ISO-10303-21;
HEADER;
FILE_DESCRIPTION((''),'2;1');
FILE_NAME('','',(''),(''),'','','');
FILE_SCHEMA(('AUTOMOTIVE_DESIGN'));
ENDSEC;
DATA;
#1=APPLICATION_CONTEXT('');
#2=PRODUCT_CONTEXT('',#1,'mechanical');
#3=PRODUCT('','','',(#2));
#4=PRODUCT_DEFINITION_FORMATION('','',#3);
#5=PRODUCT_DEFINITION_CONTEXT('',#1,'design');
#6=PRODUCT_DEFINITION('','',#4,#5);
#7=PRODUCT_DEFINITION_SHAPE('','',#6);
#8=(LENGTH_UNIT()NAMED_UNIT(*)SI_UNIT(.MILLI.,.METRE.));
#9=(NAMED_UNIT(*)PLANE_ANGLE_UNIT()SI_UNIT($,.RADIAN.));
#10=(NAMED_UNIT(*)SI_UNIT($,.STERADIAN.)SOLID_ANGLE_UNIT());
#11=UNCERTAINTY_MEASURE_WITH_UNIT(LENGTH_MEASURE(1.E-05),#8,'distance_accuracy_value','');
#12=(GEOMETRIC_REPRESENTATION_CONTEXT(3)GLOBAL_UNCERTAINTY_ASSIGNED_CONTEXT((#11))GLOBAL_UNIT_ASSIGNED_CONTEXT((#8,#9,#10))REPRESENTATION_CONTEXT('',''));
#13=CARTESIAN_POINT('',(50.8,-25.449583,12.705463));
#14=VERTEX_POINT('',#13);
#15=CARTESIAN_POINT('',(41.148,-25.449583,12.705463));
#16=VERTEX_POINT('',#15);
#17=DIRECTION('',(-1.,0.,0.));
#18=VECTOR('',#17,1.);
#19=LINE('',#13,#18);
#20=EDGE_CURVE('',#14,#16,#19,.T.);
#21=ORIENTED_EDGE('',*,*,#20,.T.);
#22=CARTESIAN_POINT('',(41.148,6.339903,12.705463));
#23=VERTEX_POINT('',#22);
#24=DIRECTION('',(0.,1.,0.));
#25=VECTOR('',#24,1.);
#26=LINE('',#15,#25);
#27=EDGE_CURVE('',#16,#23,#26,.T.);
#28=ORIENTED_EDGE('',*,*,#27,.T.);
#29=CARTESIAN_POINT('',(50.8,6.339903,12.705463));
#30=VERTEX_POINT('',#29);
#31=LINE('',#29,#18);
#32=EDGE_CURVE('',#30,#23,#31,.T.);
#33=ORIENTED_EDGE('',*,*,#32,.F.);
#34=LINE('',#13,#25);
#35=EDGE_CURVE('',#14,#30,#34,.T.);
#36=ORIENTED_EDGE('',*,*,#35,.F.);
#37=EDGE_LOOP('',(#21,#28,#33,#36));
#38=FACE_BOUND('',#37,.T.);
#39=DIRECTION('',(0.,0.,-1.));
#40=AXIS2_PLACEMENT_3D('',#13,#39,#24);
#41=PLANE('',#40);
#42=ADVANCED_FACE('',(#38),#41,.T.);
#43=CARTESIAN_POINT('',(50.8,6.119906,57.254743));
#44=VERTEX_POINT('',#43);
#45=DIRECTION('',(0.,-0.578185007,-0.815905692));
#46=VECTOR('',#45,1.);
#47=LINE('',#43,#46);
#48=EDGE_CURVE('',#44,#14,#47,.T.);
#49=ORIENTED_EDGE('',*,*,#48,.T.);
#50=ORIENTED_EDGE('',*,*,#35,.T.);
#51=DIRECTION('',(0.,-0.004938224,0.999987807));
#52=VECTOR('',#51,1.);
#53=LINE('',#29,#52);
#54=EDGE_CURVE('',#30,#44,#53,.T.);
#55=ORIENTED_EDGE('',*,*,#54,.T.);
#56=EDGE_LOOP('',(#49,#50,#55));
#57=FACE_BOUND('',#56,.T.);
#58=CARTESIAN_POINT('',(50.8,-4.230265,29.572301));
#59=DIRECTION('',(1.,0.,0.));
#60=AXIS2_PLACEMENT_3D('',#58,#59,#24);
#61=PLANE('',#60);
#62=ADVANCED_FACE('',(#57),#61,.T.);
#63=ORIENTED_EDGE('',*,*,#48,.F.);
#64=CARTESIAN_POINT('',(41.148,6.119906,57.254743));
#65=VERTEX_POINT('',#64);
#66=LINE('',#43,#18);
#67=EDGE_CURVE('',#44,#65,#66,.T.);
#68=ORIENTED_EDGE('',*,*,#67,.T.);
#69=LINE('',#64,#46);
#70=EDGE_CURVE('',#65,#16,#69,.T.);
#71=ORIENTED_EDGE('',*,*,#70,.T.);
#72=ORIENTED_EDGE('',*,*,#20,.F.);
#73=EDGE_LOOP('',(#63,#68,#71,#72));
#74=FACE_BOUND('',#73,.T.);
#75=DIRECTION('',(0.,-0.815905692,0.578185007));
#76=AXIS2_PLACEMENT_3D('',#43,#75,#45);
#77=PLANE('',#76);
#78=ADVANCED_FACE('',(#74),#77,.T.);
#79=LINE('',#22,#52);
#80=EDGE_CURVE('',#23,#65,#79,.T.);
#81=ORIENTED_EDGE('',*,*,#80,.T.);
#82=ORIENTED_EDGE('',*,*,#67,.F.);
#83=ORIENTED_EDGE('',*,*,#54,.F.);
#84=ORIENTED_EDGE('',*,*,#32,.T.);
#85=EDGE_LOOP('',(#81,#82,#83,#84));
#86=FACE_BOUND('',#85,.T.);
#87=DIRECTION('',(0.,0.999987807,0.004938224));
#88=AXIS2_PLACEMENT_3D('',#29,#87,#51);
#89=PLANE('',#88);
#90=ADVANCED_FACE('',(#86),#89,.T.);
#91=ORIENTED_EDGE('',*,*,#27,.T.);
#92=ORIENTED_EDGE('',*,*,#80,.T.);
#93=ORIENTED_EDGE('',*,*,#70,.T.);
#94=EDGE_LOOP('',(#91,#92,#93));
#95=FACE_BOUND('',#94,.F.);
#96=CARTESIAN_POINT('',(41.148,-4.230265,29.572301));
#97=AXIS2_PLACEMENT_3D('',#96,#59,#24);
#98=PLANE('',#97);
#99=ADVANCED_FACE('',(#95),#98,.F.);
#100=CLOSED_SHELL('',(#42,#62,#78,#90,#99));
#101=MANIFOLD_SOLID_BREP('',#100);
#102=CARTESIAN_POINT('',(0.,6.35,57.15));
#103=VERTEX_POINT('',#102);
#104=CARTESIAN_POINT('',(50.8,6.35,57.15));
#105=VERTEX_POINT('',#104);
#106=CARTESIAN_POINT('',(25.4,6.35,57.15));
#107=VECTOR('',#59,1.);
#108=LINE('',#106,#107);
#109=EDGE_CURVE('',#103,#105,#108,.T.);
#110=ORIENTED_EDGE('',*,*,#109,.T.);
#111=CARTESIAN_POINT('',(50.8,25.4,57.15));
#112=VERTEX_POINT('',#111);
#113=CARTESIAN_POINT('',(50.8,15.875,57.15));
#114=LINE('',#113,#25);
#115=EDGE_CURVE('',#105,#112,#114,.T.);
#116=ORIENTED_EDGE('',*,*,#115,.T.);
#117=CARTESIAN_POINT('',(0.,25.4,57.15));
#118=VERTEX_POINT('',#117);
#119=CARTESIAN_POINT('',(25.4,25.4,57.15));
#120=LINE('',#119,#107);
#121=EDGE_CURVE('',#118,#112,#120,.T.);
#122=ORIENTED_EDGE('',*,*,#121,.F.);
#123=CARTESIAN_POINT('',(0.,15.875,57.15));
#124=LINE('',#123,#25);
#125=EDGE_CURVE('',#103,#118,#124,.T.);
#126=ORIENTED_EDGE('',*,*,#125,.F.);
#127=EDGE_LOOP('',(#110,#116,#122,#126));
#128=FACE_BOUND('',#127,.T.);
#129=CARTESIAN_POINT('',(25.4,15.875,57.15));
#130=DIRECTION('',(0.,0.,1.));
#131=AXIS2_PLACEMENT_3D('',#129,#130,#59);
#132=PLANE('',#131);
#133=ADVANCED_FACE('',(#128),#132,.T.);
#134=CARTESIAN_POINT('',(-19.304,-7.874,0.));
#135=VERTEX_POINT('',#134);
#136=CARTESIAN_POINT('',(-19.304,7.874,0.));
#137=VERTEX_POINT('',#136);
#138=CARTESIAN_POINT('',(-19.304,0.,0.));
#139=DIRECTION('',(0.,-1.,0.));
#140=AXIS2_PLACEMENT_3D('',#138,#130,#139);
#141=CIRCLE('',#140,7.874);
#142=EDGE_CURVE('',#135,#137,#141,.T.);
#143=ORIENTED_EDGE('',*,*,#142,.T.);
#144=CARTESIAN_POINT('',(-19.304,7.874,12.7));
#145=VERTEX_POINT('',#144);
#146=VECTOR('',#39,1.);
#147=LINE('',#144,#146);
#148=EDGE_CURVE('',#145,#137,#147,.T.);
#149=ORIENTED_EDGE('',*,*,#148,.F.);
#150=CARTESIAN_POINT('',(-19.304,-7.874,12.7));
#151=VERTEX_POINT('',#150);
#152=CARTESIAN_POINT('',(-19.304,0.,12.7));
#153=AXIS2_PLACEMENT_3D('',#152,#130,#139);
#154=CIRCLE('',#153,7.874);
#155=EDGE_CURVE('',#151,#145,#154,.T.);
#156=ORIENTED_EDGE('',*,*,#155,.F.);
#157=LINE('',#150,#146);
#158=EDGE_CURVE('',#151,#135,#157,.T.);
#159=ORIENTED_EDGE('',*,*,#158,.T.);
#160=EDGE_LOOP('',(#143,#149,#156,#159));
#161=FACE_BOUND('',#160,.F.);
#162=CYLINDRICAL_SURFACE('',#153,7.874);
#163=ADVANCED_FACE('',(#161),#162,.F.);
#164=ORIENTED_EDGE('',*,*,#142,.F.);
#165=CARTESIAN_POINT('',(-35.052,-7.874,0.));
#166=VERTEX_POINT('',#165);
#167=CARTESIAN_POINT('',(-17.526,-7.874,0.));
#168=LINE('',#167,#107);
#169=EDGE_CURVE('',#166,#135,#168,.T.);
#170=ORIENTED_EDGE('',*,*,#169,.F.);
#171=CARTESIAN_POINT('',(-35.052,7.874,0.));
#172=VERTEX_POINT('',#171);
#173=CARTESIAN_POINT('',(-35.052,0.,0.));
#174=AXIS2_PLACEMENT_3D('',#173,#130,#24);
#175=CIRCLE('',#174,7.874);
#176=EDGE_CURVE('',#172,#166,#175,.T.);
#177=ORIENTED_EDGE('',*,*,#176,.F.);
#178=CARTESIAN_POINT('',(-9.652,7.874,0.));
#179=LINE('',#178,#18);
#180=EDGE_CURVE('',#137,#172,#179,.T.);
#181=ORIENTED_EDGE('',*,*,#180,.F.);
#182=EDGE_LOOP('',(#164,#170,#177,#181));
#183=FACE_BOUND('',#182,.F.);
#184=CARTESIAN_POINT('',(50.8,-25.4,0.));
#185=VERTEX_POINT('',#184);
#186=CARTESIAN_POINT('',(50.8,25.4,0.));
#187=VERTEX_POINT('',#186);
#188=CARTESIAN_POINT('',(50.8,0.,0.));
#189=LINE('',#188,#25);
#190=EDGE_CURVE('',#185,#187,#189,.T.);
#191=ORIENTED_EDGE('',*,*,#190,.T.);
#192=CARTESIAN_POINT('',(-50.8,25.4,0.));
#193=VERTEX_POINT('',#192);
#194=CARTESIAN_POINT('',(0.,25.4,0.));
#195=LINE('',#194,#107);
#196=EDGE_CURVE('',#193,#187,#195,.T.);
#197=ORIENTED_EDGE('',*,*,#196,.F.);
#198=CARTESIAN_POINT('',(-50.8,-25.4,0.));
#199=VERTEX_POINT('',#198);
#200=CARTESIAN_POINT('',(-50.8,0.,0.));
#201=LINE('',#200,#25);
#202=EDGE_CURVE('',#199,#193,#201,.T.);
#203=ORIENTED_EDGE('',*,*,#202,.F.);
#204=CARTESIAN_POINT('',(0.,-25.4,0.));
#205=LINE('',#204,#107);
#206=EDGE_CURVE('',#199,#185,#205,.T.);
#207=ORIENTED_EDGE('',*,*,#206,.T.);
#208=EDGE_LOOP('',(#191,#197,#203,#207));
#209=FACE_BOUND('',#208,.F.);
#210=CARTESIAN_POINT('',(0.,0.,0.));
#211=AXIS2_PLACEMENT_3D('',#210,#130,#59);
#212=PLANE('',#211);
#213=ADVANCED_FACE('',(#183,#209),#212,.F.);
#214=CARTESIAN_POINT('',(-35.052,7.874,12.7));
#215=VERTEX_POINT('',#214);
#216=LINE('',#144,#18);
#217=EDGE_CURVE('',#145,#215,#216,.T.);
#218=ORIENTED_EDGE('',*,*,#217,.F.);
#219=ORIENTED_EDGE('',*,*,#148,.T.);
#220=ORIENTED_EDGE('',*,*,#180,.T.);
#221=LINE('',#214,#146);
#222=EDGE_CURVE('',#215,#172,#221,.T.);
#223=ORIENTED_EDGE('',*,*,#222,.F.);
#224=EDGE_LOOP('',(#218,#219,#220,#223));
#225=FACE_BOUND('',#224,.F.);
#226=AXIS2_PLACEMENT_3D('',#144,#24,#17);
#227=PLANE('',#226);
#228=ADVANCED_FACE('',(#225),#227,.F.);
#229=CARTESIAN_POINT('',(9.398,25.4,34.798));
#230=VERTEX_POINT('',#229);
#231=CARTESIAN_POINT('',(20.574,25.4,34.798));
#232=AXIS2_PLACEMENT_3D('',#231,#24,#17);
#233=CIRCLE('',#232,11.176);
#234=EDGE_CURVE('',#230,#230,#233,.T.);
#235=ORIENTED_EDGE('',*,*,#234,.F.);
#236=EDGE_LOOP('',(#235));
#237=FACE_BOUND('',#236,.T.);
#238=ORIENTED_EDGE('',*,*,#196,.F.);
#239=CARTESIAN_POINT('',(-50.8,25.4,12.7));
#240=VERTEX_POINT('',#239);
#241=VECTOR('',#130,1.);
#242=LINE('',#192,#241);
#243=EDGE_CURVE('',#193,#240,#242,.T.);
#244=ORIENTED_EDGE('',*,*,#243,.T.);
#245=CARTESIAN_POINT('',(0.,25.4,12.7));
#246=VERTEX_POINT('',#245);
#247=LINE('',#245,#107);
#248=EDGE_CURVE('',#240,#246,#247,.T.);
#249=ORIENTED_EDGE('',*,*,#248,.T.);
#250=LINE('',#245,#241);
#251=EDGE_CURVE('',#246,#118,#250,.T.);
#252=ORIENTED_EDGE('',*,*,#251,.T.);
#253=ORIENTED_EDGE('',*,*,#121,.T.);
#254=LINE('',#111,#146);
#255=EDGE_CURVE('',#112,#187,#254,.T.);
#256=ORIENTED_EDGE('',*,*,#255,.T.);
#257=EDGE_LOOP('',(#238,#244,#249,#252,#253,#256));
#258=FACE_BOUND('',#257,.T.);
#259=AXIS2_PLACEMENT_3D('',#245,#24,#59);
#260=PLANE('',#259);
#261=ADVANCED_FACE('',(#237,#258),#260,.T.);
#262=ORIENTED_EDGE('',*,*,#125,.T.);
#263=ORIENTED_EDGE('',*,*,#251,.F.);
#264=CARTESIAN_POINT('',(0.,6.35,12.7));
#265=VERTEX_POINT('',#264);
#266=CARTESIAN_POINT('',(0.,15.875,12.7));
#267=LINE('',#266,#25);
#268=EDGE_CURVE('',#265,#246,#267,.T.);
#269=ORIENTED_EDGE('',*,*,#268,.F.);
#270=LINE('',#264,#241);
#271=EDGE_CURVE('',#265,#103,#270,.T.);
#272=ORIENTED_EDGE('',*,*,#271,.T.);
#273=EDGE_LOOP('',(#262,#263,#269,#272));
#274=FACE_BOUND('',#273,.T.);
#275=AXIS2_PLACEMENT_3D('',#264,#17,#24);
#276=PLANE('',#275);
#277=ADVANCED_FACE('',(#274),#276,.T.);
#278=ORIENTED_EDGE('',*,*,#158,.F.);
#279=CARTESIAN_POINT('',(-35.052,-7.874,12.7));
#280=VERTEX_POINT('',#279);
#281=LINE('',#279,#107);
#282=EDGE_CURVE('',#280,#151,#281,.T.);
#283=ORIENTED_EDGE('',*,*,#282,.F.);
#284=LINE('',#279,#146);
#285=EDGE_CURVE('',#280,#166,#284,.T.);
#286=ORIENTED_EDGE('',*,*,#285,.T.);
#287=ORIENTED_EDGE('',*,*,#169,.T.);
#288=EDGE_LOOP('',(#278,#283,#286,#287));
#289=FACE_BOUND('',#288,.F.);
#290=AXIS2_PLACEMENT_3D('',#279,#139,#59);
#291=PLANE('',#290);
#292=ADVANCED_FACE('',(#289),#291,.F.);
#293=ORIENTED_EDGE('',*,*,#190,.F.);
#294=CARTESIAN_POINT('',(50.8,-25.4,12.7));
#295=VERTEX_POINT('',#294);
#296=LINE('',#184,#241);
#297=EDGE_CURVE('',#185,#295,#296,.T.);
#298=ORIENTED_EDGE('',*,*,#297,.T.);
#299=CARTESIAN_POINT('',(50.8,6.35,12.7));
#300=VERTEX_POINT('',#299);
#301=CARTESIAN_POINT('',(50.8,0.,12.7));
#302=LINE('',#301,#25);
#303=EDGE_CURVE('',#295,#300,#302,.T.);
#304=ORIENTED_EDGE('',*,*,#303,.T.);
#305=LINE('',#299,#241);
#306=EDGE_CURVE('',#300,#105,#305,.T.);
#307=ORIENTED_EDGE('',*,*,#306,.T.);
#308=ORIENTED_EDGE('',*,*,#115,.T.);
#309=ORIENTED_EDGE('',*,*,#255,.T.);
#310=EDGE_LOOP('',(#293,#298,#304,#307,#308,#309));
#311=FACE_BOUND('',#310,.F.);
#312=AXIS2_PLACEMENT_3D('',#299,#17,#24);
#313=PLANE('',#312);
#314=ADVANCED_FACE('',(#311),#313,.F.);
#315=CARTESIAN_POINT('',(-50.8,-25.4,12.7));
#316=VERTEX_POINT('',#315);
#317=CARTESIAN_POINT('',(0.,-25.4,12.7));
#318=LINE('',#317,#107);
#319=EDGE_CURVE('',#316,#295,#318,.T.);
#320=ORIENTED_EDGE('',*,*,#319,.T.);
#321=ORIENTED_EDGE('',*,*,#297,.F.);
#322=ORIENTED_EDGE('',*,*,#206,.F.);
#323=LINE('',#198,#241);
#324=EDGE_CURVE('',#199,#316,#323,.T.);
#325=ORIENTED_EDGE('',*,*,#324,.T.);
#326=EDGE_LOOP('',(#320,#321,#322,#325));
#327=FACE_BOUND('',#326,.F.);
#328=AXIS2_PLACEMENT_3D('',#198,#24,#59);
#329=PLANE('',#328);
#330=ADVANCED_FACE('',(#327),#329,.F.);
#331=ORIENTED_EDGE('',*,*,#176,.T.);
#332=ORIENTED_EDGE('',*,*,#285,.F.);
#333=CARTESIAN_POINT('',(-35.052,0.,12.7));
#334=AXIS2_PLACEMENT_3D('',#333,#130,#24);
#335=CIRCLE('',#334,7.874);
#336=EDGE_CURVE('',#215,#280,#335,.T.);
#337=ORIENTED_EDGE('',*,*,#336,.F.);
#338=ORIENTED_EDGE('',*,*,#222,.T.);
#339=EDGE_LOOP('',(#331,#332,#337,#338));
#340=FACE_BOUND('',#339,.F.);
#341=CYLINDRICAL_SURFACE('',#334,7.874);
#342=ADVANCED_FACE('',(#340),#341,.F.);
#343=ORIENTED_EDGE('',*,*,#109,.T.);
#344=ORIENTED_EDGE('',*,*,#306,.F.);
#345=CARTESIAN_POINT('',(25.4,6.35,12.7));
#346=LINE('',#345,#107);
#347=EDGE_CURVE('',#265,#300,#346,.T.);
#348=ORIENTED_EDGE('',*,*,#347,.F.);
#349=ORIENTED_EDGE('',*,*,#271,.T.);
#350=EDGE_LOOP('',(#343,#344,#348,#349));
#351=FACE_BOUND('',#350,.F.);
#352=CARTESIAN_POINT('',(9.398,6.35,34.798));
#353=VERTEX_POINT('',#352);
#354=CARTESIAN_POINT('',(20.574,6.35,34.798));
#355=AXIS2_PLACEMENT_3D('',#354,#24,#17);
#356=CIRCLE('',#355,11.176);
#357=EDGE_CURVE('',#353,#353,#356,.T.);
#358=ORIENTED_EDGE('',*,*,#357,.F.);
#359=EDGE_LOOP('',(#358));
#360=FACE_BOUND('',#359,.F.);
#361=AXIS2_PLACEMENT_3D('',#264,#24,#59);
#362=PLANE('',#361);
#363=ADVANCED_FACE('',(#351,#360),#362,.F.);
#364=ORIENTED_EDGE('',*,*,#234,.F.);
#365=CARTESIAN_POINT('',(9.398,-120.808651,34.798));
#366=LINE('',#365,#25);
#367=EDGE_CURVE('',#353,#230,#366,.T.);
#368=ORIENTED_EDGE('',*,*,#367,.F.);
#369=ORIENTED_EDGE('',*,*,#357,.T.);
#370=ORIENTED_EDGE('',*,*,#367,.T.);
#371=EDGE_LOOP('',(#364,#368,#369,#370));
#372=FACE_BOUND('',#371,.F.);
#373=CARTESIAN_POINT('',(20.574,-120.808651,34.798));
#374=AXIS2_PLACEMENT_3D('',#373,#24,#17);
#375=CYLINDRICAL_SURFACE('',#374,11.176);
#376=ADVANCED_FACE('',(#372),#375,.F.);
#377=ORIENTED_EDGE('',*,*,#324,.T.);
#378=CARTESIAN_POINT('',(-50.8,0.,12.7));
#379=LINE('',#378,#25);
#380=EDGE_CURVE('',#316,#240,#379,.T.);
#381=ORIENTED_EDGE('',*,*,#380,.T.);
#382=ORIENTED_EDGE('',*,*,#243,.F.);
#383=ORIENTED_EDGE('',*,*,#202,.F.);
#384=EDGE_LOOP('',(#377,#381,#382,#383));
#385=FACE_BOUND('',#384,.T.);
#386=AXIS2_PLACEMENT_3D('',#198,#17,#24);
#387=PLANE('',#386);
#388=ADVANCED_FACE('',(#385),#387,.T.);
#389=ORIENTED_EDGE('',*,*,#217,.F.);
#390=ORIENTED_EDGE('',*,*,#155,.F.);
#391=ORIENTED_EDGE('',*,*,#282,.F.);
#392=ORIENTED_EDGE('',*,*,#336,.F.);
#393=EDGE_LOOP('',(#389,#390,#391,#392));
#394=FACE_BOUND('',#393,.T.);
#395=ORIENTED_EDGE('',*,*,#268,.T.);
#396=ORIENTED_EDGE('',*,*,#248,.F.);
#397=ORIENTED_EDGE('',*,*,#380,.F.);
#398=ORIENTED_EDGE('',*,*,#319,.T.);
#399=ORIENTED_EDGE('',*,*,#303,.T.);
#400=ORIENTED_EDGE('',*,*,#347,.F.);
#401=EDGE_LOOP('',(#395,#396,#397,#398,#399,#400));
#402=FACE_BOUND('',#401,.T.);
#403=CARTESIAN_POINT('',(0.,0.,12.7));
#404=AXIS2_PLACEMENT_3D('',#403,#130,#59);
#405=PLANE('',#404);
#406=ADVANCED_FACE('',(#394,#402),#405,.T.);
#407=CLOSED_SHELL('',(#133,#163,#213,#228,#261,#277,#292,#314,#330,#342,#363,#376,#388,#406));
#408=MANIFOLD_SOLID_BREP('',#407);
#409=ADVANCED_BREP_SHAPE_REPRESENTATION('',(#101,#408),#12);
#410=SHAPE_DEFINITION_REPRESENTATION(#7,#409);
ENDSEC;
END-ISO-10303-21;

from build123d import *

# Parameters (mm, degrees)
F0_W     = 101.6
F0_H     = 50.8
F1_DEPTH = 12.7
F2_W     = 50.8
F2_H     = 19.05
F3_DEPTH = 44.45
F5_D     = 22.352
F7_DEPTH = 9.652
F9_DEPTH = 25.4


with BuildPart() as f1:
    # F0 (on Top) → F1 (new body)
    with BuildSketch(Plane.XY):
        Rectangle(F0_W, F0_H)
    extrude(amount=F1_DEPTH)

    # F2 (on face) → F3 (join)
    with BuildSketch(Plane.XY.offset(12.7)):
        with Locations((25.4, 15.875)):
            Rectangle(F2_W, F2_H)
    extrude(amount=F3_DEPTH)

    # F5 (through all)
    with Locations(Plane.XZ.offset(-6.35)):
        with Locations((20.574, 34.798)):
            Hole(F5_D / 2)

    # F8 (on face) → F9 (cut)
    with BuildSketch(Plane.XY.offset(12.7)):
        with BuildLine():
            Line((-19.304, 7.874), (-35.052, 7.874))
            ThreePointArc((-35.052, 7.874), (-42.926, 0), (-35.052, -7.874))
            Line((-35.052, -7.874), (-19.304, -7.874))
            ThreePointArc((-19.304, -7.874), (-11.43, 0), (-19.304, 7.874))
        make_face()
    extrude(amount=-F9_DEPTH, mode=Mode.SUBTRACT)


with BuildPart() as f7:
    # F6 (on face) → F7 (new body)
    with BuildSketch(Plane.YZ.offset(50.8)):
        Polygon((6.339903, 12.705463), (6.119906, 57.254743), (-25.449583, 12.705463), align=None)
    extrude(amount=-F7_DEPTH)


solid = Compound([f1.part, f7.part])
